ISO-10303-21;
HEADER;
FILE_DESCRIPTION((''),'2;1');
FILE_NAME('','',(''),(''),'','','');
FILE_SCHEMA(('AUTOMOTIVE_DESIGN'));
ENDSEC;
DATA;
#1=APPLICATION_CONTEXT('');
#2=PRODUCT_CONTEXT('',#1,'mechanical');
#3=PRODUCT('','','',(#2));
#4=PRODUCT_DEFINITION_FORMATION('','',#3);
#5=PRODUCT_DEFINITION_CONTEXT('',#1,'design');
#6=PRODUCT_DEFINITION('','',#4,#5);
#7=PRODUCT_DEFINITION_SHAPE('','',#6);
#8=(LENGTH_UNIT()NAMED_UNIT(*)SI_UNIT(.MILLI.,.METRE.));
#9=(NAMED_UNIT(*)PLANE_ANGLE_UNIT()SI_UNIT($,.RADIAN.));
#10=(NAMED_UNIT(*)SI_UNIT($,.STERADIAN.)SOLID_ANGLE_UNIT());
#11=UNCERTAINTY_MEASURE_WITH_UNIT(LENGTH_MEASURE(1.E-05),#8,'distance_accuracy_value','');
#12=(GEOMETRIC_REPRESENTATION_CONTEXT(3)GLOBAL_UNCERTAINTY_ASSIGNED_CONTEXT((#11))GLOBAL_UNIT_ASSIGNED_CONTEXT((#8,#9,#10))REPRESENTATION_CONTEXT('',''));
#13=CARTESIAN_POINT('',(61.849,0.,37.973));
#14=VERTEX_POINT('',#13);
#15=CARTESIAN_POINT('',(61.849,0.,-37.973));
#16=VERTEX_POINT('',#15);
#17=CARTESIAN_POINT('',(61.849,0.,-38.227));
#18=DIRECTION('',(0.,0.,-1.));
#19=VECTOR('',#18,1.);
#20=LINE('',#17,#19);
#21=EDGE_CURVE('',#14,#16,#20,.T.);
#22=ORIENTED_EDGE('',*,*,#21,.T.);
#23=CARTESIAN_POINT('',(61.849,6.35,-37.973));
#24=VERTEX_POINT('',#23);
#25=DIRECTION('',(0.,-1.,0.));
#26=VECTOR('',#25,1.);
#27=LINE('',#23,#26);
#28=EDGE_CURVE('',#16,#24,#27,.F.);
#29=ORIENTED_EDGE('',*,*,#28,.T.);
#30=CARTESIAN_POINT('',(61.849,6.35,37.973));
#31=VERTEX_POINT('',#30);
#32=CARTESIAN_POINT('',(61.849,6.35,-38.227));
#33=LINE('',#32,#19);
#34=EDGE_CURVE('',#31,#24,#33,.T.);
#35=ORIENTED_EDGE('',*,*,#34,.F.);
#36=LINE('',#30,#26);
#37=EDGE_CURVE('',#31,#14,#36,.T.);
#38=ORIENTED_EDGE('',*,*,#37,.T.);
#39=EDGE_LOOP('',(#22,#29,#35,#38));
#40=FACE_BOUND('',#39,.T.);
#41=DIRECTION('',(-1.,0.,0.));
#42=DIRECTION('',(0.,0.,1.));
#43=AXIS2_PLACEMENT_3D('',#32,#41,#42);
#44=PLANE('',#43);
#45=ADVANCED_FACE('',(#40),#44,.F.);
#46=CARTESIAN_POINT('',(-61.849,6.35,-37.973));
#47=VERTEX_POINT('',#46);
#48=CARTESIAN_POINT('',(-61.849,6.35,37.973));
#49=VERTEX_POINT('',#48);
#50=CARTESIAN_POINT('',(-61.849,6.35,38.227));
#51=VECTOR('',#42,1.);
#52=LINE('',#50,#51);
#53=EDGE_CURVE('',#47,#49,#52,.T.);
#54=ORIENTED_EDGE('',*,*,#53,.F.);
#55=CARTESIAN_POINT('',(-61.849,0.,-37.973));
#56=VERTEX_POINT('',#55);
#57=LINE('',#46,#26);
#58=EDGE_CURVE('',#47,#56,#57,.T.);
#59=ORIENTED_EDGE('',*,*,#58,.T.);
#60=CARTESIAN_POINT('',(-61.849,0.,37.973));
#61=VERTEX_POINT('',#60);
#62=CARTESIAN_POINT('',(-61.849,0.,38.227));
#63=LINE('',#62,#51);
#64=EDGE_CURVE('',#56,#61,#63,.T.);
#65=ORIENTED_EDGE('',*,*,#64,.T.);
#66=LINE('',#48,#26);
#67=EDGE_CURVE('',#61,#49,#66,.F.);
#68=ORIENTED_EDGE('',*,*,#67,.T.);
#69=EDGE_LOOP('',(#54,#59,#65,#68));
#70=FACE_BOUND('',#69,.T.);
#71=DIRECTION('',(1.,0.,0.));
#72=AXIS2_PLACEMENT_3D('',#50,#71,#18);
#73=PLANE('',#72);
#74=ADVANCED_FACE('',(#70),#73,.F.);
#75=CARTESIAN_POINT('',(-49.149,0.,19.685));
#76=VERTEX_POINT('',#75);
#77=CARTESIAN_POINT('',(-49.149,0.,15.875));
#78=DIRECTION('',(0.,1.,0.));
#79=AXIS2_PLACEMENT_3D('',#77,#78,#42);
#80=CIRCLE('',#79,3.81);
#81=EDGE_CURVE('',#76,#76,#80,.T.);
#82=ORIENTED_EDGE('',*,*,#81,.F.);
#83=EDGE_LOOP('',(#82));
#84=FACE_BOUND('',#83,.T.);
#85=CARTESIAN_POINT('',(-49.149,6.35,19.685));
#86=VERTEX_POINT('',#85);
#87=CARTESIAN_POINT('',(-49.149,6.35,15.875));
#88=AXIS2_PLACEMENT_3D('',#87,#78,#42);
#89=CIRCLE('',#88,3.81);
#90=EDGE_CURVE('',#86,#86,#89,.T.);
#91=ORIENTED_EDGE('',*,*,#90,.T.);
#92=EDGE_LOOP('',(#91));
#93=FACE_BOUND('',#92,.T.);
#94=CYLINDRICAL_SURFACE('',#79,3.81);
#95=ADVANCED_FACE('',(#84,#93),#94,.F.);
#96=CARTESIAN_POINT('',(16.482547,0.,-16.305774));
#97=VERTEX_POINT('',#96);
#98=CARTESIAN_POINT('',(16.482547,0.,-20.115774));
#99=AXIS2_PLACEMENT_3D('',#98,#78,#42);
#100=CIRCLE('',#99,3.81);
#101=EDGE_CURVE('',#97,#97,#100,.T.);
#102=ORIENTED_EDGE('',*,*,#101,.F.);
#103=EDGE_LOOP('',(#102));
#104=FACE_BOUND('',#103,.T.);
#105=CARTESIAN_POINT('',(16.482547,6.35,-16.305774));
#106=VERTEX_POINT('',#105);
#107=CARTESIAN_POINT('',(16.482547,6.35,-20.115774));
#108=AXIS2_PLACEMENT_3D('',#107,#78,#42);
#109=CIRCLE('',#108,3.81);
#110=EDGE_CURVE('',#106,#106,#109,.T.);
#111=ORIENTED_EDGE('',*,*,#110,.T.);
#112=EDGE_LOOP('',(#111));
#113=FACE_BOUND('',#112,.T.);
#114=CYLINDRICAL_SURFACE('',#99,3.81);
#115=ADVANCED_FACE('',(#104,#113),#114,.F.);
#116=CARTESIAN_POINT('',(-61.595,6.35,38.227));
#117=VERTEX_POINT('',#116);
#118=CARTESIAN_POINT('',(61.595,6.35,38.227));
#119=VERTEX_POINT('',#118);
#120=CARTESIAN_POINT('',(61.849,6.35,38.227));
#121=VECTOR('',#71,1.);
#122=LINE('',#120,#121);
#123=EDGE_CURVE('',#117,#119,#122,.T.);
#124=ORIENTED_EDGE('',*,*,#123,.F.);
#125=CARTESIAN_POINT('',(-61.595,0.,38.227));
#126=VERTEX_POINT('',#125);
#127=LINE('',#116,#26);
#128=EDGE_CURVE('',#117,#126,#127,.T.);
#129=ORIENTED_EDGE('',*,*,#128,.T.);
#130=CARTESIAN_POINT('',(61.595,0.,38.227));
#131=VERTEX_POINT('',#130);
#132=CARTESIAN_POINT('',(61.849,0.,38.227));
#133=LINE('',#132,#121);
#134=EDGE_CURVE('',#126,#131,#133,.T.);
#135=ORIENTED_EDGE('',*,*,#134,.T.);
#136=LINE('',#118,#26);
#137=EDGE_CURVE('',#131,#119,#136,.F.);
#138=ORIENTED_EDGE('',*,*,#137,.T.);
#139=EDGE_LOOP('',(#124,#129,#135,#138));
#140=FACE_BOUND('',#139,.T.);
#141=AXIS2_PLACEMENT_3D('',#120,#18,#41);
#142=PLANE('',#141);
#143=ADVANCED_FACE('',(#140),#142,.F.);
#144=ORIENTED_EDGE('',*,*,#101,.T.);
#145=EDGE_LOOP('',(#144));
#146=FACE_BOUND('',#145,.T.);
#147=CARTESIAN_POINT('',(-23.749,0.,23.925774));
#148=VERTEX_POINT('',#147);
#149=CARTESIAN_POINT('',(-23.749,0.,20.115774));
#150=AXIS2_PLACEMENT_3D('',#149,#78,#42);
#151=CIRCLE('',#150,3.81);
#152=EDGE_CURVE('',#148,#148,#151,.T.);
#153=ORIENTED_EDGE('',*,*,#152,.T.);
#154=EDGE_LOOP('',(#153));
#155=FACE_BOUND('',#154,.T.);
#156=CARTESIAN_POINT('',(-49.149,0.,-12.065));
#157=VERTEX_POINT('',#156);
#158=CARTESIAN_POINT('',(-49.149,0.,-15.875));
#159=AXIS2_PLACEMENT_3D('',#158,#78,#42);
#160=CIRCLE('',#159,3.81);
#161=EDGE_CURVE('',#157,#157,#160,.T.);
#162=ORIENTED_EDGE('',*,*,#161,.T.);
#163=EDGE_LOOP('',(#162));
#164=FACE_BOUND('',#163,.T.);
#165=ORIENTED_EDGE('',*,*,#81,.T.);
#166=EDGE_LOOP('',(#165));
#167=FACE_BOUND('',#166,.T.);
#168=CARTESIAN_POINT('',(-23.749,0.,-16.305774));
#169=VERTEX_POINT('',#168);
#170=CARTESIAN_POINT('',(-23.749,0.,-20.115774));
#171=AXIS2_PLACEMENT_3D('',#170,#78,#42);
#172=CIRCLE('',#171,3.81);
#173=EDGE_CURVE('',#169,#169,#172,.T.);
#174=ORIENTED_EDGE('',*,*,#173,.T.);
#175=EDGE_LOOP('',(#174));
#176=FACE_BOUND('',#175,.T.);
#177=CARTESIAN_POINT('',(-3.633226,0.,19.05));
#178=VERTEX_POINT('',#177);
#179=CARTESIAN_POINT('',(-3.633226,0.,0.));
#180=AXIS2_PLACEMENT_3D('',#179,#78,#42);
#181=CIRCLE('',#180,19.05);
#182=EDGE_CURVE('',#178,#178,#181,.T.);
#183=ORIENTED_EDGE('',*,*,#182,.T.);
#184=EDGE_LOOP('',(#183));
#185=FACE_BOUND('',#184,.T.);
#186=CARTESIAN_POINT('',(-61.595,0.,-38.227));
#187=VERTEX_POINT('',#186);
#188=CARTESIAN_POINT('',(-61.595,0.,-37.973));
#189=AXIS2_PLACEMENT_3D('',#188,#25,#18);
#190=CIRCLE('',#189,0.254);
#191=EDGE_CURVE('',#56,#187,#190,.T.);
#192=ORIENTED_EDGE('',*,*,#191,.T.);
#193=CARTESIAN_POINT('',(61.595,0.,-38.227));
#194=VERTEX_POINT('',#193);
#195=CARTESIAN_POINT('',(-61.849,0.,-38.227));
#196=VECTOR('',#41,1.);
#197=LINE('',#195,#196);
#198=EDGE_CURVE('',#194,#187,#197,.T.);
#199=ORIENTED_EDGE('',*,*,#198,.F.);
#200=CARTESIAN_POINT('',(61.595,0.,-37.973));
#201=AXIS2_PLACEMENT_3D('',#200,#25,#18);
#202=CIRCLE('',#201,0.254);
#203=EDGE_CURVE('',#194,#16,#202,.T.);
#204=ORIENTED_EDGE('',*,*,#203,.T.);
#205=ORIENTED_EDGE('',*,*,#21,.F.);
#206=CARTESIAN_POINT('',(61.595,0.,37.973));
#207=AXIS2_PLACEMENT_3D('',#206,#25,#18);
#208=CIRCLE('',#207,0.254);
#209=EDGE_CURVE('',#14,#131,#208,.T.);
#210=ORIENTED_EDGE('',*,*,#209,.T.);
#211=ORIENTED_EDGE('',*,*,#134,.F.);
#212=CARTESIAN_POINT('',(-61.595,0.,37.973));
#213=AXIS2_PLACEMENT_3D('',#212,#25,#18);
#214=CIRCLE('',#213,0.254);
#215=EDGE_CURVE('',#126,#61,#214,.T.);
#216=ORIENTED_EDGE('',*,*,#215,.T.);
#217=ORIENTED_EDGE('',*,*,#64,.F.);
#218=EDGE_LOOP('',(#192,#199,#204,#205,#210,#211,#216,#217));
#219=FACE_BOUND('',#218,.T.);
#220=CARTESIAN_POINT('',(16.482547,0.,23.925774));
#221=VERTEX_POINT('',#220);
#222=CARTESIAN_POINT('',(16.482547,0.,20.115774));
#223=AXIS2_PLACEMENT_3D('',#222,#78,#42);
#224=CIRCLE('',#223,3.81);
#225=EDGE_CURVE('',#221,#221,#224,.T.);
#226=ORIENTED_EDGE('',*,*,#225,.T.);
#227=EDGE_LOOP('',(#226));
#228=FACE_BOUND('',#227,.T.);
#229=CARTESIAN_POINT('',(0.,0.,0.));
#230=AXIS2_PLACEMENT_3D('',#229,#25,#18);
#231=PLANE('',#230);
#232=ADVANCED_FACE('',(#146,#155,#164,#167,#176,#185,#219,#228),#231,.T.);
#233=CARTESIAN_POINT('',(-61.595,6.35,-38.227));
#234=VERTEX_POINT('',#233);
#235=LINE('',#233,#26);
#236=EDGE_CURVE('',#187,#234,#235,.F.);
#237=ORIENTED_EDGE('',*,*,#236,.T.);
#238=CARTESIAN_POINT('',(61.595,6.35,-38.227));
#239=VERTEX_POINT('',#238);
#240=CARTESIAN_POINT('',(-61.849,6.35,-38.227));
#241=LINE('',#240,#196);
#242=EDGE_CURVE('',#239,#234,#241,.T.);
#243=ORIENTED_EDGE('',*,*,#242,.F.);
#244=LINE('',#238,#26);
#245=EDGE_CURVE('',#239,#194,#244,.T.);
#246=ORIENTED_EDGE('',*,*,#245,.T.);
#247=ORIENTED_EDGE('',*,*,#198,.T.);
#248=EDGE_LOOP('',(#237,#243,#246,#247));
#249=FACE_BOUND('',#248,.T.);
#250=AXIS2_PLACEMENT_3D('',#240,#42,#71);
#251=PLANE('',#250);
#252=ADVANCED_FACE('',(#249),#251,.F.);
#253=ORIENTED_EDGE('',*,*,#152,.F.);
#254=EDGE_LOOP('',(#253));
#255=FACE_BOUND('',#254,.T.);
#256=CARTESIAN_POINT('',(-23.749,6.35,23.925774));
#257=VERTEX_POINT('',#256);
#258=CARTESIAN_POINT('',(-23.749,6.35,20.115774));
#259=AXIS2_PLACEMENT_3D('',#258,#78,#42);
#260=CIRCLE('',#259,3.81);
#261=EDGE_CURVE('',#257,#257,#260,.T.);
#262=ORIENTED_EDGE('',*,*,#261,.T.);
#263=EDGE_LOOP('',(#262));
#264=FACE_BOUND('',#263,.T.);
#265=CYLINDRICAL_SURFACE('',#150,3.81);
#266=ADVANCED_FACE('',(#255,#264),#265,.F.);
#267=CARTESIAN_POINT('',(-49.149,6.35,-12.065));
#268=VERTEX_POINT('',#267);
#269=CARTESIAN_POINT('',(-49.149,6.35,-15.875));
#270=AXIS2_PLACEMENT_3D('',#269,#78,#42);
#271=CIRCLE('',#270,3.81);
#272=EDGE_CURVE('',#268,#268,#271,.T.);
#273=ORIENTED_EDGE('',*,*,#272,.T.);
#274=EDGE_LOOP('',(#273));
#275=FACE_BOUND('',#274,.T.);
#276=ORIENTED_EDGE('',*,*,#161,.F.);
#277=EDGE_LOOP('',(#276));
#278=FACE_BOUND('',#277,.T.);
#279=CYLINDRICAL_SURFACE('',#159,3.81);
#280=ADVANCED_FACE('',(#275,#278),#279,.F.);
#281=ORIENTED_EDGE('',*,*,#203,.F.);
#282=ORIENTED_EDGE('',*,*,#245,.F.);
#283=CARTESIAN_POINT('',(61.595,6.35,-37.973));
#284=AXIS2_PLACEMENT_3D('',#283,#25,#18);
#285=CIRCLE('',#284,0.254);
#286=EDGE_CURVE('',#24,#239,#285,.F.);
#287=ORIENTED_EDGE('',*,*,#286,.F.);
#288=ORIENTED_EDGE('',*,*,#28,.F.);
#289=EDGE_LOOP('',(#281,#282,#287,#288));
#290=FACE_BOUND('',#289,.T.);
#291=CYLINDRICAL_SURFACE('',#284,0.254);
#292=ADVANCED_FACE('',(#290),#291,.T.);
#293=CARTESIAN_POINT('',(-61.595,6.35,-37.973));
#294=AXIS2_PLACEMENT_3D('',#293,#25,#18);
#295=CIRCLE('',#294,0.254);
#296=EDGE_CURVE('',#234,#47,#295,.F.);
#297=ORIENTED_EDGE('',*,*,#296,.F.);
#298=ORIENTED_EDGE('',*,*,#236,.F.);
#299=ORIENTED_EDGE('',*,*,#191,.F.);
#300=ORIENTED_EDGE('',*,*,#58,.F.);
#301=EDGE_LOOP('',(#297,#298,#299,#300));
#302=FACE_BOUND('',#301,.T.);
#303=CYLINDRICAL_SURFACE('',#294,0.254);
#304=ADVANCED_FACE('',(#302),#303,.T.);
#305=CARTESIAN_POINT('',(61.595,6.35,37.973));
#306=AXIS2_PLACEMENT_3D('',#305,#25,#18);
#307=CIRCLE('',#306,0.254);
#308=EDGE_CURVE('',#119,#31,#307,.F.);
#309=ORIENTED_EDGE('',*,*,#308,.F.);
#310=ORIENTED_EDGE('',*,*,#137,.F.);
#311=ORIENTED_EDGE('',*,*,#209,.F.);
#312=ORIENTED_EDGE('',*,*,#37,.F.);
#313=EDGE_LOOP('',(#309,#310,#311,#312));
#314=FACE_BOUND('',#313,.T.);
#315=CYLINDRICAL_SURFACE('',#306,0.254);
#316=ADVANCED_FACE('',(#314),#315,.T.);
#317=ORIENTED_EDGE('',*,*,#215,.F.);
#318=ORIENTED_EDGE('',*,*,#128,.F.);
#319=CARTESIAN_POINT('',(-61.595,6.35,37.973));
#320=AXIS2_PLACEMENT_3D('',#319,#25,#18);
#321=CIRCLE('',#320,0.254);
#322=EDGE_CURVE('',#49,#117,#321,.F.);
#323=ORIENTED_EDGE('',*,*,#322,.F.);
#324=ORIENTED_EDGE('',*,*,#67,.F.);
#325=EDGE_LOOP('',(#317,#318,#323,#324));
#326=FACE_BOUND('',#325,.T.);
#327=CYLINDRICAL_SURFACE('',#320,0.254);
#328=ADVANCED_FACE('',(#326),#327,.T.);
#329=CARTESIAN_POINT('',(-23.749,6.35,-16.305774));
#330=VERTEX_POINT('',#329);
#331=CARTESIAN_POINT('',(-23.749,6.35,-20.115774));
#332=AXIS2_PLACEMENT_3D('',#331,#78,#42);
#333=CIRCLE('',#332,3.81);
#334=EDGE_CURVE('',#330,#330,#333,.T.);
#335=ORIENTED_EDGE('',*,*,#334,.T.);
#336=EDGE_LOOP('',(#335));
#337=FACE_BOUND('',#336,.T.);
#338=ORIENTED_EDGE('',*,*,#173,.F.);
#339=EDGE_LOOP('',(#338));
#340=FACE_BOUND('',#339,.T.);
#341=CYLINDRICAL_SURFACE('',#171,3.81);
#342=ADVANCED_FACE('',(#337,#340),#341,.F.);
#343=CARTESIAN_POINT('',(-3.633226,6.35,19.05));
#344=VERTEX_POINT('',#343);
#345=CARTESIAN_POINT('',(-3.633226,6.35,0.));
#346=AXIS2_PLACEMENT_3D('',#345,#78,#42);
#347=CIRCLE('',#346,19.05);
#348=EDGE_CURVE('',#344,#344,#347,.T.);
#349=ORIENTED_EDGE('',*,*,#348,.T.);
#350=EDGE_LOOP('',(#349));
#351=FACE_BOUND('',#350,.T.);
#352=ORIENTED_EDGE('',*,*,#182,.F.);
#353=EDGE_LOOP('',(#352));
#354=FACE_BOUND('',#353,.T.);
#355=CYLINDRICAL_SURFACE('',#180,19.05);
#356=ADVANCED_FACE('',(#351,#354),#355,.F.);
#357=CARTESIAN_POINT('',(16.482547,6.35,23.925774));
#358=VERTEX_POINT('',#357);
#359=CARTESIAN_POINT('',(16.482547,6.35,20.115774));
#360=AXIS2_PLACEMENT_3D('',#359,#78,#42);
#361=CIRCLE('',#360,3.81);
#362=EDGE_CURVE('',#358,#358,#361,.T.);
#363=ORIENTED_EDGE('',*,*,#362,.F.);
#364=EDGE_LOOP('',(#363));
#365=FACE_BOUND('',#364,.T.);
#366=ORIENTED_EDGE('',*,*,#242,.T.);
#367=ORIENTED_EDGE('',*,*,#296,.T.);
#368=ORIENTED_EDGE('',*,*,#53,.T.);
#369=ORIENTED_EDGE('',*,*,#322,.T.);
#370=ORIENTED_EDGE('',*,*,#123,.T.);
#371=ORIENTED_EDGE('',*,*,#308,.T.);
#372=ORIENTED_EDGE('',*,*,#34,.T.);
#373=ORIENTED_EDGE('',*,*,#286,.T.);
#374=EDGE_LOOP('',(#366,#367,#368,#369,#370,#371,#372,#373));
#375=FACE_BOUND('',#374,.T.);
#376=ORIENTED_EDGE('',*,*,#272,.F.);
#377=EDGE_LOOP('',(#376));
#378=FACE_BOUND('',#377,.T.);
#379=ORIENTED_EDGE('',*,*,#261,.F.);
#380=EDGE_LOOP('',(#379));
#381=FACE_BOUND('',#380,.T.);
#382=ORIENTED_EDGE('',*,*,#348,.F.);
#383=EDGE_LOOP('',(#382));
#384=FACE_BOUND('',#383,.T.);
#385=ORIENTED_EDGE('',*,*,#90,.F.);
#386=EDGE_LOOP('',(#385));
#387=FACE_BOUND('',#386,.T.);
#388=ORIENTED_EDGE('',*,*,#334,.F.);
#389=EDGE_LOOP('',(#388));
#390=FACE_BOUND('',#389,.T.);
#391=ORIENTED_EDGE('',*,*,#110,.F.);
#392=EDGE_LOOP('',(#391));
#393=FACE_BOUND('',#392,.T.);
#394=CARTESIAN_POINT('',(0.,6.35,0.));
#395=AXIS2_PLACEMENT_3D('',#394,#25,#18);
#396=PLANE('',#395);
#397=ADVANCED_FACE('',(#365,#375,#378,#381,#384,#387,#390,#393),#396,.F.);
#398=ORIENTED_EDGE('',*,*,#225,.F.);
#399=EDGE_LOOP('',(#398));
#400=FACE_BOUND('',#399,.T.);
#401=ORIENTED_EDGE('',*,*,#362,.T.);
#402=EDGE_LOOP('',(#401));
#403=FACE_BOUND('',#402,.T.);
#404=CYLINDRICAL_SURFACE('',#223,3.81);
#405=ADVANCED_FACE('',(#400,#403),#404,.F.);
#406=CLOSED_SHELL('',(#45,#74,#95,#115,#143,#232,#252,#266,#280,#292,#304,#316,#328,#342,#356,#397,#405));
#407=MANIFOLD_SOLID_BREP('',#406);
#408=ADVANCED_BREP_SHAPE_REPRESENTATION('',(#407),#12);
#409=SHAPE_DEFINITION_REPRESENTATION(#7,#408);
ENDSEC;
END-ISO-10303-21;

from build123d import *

# Parameters (mm, degrees)
SKETCH1_W           = 123.698
SKETCH1_H           = 76.454
BOSS_EXTRUDE1_DEPTH = 6.35
SKETCH6_R           = 19.05
SKETCH6_R_2         = 3.81
CUT_EXTRUDE5_DEPTH  = 73.985785123
FILLET1_R           = 0.254


with BuildPart() as part:
    # Sketch1 → Boss-Extrude1 (new body)
    with BuildSketch(Plane(origin=(0, 0, 0), x_dir=(1, 0, 0), z_dir=(0, 1, 0))):
        Rectangle(SKETCH1_W, SKETCH1_H)
    extrude(amount=BOSS_EXTRUDE1_DEPTH)

    # Sketch6 → Cut-Extrude5 (cut, through all)
    with BuildSketch(Plane(origin=(0, 6.35, 0), x_dir=(1, 0, 0), z_dir=(0, 1, 0))):
        with Locations(Location((-3.633226289, 0, 0), (0, 0, 270))):
            Circle(SKETCH6_R)
        with Locations(Location((16.482547422, 20.115773711, 0), (0, 0, 270))):
            Circle(SKETCH6_R_2)
        with Locations(Location((-23.749, 20.115773711, 0), (0, 0, 270))):
            Circle(SKETCH6_R_2)
        with Locations(Location((-23.749, -20.115773711, 0), (0, 0, 270))):
            Circle(SKETCH6_R_2)
        with Locations(Location((16.482547422, -20.115773711, 0), (0, 0, 270))):
            Circle(SKETCH6_R_2)
        with Locations(Location((-49.149, 15.875, 0), (0, 0, 270))):
            Circle(SKETCH6_R_2)
        with Locations(Location((-49.149, -15.875, 0), (0, 0, 270))):
            Circle(SKETCH6_R_2)
    extrude(amount=-CUT_EXTRUDE5_DEPTH, mode=Mode.SUBTRACT)

    # Fillet1
    fillet1_edges = [part.edges().sort_by_distance(p)[0] for p in [
        (61.849, 3.175, 38.227),
        (-61.849, 3.175, 38.227),
        (-61.849, 3.175, -38.227),
        (61.849, 3.175, -38.227),
    ]]
    fillet(fillet1_edges, radius=FILLET1_R)


solid = part.part
